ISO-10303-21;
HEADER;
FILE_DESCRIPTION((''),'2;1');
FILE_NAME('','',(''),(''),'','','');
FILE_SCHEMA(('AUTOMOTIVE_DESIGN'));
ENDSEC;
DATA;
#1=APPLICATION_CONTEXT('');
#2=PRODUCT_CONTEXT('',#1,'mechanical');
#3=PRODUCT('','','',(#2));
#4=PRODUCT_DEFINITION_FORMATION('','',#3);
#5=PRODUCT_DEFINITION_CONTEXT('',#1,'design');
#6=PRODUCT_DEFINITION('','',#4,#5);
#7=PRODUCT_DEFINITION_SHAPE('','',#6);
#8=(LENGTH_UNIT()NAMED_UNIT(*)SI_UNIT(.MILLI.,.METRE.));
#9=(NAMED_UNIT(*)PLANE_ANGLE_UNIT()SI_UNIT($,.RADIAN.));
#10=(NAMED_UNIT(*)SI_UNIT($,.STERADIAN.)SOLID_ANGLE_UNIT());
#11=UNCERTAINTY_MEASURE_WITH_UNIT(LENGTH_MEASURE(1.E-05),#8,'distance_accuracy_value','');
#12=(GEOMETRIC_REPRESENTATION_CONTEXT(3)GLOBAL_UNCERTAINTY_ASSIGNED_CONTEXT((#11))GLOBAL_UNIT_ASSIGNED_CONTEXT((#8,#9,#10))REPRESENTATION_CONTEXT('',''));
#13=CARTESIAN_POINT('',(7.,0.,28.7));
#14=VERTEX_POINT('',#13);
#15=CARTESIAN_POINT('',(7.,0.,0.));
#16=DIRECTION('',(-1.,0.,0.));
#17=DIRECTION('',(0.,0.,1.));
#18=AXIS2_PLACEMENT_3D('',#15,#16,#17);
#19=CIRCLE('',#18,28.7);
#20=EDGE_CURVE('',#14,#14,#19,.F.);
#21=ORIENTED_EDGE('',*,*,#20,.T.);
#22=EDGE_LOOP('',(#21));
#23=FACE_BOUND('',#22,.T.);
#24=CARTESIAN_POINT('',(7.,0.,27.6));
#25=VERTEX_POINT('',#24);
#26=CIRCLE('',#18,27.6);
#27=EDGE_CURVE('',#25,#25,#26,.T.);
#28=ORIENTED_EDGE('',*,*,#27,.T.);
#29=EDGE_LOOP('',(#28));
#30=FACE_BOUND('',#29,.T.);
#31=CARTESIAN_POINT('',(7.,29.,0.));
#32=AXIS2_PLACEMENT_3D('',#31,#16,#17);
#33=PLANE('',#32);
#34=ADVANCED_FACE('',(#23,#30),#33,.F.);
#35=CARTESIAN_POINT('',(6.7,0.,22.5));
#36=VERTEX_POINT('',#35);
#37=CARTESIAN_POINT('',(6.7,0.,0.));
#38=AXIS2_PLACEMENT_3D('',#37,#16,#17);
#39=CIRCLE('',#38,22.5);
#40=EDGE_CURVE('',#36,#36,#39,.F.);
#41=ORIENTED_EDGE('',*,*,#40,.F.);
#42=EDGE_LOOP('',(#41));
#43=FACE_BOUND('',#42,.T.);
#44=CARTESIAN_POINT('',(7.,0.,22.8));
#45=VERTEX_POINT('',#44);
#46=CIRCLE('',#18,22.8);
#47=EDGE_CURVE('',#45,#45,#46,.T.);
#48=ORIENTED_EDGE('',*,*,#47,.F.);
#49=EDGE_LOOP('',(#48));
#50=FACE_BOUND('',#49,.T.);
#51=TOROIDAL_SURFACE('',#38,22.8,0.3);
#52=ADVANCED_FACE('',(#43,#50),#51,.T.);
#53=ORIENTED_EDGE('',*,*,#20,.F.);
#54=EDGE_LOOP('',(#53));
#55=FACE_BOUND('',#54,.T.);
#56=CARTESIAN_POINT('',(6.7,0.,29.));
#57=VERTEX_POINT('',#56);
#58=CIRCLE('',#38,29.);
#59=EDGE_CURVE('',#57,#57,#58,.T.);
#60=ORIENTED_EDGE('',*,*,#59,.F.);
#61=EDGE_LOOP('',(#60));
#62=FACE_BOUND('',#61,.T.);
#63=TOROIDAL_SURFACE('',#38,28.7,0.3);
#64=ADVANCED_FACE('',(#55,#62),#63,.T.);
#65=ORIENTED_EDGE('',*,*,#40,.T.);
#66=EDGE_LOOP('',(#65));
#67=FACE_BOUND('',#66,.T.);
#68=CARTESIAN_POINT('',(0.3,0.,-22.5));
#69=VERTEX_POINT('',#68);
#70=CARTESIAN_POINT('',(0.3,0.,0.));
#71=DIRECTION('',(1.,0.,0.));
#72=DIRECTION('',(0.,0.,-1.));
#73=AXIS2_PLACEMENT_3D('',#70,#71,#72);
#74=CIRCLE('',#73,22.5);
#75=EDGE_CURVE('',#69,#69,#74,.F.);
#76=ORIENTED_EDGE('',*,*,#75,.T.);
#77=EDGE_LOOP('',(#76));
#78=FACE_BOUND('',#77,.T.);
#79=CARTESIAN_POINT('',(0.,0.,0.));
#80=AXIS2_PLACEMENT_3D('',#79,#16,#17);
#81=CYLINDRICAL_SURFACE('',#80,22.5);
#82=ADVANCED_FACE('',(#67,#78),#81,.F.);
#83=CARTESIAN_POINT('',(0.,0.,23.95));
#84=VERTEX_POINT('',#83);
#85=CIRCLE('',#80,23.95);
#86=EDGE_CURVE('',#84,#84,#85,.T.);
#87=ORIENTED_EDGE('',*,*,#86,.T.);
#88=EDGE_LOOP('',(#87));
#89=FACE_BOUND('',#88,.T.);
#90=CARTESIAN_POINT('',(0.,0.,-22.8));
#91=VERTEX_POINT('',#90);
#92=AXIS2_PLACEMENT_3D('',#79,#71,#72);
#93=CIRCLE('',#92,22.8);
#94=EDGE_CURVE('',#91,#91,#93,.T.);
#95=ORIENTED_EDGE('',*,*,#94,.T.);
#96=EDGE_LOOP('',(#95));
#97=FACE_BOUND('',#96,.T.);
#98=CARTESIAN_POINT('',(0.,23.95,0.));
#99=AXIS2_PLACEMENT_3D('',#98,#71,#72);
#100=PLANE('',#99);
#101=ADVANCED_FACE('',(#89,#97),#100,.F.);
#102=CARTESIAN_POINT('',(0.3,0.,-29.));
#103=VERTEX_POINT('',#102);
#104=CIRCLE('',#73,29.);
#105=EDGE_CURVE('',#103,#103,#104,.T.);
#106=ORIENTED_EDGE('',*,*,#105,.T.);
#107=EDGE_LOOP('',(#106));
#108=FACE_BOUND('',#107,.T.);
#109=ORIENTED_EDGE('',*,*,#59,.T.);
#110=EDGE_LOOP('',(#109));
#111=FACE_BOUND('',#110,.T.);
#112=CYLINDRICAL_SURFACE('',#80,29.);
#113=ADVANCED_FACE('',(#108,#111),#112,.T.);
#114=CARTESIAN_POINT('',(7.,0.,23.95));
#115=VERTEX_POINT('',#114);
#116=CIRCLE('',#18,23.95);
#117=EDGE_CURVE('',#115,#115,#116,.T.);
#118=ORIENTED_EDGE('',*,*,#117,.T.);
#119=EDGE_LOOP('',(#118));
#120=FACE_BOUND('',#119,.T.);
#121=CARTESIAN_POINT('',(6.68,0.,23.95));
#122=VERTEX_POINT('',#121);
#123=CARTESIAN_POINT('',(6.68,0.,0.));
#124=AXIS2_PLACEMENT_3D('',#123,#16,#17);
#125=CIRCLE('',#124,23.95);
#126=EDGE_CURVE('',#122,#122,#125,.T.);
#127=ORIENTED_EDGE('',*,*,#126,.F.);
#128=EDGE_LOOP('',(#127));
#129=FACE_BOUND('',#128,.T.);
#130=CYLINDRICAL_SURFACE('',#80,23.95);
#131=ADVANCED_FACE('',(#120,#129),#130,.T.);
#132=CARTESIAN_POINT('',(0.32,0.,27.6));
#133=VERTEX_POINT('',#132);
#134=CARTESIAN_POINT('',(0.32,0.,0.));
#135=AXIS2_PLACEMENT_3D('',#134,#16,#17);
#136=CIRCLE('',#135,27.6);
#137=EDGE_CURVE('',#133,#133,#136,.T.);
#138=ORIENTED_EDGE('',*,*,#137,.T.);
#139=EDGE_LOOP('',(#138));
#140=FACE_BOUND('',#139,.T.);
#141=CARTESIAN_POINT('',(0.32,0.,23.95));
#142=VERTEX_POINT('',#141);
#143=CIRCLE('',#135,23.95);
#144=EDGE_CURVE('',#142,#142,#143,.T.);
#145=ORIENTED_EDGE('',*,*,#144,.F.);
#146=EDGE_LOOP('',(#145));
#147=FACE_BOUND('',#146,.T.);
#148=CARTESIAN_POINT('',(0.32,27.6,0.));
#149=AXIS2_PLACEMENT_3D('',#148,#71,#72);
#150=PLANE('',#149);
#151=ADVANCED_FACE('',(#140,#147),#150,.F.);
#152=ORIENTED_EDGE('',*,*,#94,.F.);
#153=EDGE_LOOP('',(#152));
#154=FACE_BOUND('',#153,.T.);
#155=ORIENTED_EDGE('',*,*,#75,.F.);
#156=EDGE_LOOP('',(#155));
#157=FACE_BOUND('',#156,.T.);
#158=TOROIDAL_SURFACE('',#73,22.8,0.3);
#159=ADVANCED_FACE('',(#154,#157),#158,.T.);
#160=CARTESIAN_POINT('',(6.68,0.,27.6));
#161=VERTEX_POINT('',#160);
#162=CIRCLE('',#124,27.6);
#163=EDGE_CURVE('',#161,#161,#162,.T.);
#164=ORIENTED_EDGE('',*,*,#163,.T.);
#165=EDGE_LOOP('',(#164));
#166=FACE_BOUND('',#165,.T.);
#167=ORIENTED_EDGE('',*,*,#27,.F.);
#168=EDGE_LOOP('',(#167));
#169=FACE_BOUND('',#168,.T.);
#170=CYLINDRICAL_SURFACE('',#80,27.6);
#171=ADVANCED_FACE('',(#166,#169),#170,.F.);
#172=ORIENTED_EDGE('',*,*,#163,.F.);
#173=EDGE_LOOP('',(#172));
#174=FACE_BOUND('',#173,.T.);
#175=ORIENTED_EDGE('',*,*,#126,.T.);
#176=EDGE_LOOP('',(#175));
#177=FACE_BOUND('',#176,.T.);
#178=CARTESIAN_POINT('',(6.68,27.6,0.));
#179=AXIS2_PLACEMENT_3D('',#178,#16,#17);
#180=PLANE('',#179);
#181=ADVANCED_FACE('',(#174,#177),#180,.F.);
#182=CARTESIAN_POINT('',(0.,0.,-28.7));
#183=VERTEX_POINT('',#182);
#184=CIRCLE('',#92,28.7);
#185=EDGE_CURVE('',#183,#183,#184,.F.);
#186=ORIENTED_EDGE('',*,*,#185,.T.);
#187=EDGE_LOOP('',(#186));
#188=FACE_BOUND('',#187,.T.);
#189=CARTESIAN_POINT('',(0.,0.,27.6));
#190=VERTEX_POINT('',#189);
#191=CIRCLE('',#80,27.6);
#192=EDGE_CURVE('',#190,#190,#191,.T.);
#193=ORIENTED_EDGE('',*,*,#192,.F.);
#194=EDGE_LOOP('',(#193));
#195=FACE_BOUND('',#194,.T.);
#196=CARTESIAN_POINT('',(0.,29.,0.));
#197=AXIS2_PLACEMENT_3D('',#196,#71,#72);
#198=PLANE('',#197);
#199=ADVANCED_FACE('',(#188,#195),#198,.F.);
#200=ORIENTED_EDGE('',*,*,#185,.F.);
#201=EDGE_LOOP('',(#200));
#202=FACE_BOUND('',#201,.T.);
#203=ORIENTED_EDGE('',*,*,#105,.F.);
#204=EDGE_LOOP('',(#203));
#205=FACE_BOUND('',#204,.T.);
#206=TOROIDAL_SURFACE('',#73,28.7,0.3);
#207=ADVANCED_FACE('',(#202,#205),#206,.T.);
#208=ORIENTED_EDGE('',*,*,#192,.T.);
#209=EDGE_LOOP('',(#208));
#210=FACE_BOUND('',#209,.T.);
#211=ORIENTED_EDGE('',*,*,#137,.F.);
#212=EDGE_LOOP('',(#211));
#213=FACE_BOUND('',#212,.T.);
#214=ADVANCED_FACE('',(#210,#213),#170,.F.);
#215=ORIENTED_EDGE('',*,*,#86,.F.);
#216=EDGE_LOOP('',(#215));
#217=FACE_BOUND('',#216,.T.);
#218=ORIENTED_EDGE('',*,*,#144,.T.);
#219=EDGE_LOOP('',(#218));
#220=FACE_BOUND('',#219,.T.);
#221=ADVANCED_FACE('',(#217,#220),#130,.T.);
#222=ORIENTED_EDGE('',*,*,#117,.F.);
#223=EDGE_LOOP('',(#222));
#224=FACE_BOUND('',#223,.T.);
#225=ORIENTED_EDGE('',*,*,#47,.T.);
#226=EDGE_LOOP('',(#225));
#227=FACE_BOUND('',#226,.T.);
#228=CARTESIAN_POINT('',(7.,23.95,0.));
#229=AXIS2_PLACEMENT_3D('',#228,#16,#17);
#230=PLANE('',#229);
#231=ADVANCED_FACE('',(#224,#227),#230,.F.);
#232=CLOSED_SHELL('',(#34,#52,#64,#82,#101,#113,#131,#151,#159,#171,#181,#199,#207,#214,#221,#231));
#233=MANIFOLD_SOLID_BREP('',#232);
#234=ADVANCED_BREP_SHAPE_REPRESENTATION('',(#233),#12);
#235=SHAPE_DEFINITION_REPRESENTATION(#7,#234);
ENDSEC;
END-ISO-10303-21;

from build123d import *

# Parameters (mm, degrees)
FILLET1_R = 0.3
FILLET2_R = 0.3


with BuildPart() as part:
    # Sketch1 → Revolve1 (revolve)
    with BuildSketch(Plane.XY, mode=Mode.PRIVATE) as revolve1_sk:
        Polygon((0, 22.5), (7, 22.5), (7, 23.95), (6.68, 23.95), (6.68, 27.6), (7, 27.6), (7, 29), (0, 29), (0, 27.6), (0.32, 27.6), (0.32, 23.95), (0, 23.95), align=None)
    revolve(revolve1_sk.sketch.rotate(Axis((0, 0, 0), (1, 0, 0)), 90), axis=Axis((0, 0, 0), (1, 0, 0)))

    # Fillet1
    fillet1_edges = [part.edges().sort_by_distance(p)[0] for p in [
        (0, 0, -29),
        (7, 0, -29),
    ]]
    fillet(fillet1_edges, radius=FILLET1_R)

    # Fillet2
    fillet2_edges = [part.edges().sort_by_distance(p)[0] for p in [
        (7, 0, -22.5),
        (0, 0, -22.5),
    ]]
    fillet(fillet2_edges, radius=FILLET2_R)


solid = part.part
